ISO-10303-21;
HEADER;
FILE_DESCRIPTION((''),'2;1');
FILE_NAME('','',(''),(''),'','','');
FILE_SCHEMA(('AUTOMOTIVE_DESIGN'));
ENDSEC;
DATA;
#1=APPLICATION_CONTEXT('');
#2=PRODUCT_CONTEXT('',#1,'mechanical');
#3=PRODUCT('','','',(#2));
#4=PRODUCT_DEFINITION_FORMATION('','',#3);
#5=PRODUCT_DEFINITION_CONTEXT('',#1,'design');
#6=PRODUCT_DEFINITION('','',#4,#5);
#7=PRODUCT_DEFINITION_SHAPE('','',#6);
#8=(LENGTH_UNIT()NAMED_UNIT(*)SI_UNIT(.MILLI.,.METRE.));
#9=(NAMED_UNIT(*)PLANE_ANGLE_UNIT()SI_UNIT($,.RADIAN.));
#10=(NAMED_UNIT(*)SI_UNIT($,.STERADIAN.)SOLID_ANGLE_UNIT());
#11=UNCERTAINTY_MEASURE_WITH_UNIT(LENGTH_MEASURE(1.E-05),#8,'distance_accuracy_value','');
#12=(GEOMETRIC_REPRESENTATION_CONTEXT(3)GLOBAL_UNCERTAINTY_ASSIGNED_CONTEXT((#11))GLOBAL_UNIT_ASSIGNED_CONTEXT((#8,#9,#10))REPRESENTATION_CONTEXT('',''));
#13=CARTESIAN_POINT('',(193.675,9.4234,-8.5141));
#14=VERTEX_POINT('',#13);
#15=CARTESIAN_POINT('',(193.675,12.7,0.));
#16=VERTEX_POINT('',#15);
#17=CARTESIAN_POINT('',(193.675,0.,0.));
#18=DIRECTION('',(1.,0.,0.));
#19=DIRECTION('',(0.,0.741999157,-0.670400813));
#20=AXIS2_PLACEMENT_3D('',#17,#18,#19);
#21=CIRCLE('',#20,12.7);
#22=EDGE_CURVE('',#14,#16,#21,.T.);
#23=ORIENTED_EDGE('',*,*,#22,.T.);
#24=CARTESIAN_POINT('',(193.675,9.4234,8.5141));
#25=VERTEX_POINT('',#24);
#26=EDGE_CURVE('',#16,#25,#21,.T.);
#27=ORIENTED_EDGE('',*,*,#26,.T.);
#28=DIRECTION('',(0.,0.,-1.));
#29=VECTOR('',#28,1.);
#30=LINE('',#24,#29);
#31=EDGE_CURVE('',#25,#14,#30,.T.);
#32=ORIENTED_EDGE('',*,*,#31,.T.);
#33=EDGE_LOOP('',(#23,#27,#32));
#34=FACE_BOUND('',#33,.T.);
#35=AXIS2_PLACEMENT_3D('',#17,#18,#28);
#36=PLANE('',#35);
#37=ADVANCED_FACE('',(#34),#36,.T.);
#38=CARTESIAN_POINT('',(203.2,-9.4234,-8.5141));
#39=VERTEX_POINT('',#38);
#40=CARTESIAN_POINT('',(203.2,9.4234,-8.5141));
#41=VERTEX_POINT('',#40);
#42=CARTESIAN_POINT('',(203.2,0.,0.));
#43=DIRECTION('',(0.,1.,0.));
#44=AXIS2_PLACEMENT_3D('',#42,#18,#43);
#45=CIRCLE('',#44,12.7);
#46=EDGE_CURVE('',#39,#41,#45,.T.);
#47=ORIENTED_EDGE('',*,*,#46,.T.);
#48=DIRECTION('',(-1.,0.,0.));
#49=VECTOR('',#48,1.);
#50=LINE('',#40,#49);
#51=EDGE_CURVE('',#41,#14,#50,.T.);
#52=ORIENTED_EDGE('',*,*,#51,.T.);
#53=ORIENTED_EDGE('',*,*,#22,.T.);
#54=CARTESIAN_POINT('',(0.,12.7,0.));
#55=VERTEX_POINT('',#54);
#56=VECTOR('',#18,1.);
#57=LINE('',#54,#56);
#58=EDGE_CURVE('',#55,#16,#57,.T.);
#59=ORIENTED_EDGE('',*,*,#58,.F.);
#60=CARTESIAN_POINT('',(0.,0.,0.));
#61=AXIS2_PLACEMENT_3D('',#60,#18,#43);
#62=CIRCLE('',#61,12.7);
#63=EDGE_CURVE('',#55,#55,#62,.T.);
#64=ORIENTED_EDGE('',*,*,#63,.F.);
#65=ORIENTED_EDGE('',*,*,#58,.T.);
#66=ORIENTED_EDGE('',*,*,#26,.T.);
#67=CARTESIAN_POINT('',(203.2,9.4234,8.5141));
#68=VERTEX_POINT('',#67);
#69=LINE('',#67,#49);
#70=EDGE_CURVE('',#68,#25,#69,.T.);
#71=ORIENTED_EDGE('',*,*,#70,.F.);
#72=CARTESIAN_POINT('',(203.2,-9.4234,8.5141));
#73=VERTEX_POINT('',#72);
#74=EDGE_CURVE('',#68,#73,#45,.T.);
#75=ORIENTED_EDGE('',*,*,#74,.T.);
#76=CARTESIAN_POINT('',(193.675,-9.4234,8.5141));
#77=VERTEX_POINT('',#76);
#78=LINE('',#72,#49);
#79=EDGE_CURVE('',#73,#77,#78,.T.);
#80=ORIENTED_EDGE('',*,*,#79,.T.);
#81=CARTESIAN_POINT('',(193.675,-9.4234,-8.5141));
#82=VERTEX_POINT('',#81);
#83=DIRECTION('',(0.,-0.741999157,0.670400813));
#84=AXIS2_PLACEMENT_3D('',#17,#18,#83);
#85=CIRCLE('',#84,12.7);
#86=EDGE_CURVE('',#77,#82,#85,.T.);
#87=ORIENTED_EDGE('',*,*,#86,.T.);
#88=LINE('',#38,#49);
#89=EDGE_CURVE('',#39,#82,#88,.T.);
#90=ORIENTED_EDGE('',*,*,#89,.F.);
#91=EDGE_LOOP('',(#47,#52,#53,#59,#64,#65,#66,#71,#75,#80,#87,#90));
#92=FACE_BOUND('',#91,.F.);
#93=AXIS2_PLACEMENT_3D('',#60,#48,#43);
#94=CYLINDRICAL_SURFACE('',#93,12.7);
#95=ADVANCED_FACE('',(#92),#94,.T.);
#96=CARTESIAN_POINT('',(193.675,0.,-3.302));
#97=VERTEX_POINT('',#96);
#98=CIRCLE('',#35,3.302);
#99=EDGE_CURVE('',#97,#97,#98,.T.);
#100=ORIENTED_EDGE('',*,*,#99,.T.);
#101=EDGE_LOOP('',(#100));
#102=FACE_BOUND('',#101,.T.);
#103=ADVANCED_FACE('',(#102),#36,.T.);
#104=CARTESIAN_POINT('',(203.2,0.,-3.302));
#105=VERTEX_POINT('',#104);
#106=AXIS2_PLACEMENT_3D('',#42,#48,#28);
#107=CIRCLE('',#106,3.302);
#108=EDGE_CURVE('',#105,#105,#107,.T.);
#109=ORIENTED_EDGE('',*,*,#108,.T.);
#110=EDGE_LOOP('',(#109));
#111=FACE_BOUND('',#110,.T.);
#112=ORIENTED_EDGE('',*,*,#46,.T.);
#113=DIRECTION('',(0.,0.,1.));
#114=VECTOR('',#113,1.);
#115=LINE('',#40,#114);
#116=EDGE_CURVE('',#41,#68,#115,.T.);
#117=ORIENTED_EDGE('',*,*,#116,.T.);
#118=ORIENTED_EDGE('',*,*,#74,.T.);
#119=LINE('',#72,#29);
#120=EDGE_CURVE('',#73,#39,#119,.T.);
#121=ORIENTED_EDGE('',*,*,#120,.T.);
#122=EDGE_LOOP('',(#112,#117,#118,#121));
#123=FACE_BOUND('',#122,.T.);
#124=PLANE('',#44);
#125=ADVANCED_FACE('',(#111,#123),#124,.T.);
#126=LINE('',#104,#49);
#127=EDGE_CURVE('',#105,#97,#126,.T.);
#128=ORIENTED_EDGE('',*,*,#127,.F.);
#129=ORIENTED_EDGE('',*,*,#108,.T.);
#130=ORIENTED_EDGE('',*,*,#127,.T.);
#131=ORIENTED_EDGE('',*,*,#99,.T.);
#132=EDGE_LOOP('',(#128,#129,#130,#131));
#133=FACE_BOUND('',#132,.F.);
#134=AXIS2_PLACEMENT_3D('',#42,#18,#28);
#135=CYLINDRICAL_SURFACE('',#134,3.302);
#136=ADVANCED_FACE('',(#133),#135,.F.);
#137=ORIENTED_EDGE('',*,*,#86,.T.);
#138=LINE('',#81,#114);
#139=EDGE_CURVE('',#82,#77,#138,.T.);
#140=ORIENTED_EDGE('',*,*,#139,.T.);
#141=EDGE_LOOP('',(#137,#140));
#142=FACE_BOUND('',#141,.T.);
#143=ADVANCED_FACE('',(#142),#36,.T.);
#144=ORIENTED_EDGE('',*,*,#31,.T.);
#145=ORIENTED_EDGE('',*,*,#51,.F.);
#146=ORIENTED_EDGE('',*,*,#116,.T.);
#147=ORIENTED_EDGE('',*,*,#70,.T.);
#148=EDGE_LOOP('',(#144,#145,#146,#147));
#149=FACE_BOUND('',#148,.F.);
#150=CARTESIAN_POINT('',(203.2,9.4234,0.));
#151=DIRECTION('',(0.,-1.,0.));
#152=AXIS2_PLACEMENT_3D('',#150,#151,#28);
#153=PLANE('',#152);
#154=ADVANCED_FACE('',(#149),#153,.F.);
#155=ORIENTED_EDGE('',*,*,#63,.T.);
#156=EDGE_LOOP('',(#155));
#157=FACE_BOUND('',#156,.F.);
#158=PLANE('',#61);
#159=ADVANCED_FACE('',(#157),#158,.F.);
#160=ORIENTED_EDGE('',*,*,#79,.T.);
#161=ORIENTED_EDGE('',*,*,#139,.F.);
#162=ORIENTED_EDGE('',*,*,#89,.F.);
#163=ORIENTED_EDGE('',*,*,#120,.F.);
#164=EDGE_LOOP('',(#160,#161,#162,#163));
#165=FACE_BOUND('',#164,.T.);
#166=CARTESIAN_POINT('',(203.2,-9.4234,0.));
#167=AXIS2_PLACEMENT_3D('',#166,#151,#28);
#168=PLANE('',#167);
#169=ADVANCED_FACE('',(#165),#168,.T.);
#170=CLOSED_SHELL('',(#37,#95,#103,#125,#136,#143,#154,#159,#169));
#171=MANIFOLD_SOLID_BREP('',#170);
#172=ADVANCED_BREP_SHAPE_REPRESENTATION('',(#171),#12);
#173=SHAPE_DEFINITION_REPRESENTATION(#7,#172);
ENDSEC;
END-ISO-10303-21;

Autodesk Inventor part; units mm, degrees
ref_plane "YZ Plane" through (0, 0, 0) normal (1, 0, 0) x (0, 1, 0)
ref_plane "XZ Plane" through (0, 0, 0) normal (0, 1, 0) x (-1, 0, 0)
ref_plane "XY Plane" through (0, 0, 0) normal (0, 0, 1) x (1, 0, 0)
sketch "Sketch1" plane through (0, 0, 0) normal (1, 0, 0) x (0, 1, 0)
  circle A0 centre (0, 0) radius 12.7
  dimension "d0" = 25.4
extrude "Extrusion1" add sketch "Sketch1" along normal blind 203.2
sketch "Sketch2" plane through (203.2, 0, 0) normal (1, 0, 0) x (0, 0, -1)
  circle A0 centre (0, 0) radius 12.7 projected
  circle A1 centre (0, 0) radius 12.7 projected
  line L0 (-8.5141, 9.4234) -> (8.5141, 9.4234)
  line L1 (-8.5141, -9.4234) -> (8.5141, -9.4234)
  line L2 (-17.78, 0) -> (17.78, 0) projected
  line L3 (0, -17.78) -> (0, 17.78) projected
  circle A2 centre (0, 0) radius 3.302
  dimension "d3" = 18.8468
  dimension "d4" = 6.604
extrude "Extrusion2" cut sketch "Sketch2" against normal blind 9.525 contours L0 L3 A0 | A0 L3 L1 | A2 L3 L2 | L2 L3 A2 | L3 L0 A0 | A0 L1 L3 | L3 A2 L2 | L2 A2 L3
properties part number "DART Rod"
